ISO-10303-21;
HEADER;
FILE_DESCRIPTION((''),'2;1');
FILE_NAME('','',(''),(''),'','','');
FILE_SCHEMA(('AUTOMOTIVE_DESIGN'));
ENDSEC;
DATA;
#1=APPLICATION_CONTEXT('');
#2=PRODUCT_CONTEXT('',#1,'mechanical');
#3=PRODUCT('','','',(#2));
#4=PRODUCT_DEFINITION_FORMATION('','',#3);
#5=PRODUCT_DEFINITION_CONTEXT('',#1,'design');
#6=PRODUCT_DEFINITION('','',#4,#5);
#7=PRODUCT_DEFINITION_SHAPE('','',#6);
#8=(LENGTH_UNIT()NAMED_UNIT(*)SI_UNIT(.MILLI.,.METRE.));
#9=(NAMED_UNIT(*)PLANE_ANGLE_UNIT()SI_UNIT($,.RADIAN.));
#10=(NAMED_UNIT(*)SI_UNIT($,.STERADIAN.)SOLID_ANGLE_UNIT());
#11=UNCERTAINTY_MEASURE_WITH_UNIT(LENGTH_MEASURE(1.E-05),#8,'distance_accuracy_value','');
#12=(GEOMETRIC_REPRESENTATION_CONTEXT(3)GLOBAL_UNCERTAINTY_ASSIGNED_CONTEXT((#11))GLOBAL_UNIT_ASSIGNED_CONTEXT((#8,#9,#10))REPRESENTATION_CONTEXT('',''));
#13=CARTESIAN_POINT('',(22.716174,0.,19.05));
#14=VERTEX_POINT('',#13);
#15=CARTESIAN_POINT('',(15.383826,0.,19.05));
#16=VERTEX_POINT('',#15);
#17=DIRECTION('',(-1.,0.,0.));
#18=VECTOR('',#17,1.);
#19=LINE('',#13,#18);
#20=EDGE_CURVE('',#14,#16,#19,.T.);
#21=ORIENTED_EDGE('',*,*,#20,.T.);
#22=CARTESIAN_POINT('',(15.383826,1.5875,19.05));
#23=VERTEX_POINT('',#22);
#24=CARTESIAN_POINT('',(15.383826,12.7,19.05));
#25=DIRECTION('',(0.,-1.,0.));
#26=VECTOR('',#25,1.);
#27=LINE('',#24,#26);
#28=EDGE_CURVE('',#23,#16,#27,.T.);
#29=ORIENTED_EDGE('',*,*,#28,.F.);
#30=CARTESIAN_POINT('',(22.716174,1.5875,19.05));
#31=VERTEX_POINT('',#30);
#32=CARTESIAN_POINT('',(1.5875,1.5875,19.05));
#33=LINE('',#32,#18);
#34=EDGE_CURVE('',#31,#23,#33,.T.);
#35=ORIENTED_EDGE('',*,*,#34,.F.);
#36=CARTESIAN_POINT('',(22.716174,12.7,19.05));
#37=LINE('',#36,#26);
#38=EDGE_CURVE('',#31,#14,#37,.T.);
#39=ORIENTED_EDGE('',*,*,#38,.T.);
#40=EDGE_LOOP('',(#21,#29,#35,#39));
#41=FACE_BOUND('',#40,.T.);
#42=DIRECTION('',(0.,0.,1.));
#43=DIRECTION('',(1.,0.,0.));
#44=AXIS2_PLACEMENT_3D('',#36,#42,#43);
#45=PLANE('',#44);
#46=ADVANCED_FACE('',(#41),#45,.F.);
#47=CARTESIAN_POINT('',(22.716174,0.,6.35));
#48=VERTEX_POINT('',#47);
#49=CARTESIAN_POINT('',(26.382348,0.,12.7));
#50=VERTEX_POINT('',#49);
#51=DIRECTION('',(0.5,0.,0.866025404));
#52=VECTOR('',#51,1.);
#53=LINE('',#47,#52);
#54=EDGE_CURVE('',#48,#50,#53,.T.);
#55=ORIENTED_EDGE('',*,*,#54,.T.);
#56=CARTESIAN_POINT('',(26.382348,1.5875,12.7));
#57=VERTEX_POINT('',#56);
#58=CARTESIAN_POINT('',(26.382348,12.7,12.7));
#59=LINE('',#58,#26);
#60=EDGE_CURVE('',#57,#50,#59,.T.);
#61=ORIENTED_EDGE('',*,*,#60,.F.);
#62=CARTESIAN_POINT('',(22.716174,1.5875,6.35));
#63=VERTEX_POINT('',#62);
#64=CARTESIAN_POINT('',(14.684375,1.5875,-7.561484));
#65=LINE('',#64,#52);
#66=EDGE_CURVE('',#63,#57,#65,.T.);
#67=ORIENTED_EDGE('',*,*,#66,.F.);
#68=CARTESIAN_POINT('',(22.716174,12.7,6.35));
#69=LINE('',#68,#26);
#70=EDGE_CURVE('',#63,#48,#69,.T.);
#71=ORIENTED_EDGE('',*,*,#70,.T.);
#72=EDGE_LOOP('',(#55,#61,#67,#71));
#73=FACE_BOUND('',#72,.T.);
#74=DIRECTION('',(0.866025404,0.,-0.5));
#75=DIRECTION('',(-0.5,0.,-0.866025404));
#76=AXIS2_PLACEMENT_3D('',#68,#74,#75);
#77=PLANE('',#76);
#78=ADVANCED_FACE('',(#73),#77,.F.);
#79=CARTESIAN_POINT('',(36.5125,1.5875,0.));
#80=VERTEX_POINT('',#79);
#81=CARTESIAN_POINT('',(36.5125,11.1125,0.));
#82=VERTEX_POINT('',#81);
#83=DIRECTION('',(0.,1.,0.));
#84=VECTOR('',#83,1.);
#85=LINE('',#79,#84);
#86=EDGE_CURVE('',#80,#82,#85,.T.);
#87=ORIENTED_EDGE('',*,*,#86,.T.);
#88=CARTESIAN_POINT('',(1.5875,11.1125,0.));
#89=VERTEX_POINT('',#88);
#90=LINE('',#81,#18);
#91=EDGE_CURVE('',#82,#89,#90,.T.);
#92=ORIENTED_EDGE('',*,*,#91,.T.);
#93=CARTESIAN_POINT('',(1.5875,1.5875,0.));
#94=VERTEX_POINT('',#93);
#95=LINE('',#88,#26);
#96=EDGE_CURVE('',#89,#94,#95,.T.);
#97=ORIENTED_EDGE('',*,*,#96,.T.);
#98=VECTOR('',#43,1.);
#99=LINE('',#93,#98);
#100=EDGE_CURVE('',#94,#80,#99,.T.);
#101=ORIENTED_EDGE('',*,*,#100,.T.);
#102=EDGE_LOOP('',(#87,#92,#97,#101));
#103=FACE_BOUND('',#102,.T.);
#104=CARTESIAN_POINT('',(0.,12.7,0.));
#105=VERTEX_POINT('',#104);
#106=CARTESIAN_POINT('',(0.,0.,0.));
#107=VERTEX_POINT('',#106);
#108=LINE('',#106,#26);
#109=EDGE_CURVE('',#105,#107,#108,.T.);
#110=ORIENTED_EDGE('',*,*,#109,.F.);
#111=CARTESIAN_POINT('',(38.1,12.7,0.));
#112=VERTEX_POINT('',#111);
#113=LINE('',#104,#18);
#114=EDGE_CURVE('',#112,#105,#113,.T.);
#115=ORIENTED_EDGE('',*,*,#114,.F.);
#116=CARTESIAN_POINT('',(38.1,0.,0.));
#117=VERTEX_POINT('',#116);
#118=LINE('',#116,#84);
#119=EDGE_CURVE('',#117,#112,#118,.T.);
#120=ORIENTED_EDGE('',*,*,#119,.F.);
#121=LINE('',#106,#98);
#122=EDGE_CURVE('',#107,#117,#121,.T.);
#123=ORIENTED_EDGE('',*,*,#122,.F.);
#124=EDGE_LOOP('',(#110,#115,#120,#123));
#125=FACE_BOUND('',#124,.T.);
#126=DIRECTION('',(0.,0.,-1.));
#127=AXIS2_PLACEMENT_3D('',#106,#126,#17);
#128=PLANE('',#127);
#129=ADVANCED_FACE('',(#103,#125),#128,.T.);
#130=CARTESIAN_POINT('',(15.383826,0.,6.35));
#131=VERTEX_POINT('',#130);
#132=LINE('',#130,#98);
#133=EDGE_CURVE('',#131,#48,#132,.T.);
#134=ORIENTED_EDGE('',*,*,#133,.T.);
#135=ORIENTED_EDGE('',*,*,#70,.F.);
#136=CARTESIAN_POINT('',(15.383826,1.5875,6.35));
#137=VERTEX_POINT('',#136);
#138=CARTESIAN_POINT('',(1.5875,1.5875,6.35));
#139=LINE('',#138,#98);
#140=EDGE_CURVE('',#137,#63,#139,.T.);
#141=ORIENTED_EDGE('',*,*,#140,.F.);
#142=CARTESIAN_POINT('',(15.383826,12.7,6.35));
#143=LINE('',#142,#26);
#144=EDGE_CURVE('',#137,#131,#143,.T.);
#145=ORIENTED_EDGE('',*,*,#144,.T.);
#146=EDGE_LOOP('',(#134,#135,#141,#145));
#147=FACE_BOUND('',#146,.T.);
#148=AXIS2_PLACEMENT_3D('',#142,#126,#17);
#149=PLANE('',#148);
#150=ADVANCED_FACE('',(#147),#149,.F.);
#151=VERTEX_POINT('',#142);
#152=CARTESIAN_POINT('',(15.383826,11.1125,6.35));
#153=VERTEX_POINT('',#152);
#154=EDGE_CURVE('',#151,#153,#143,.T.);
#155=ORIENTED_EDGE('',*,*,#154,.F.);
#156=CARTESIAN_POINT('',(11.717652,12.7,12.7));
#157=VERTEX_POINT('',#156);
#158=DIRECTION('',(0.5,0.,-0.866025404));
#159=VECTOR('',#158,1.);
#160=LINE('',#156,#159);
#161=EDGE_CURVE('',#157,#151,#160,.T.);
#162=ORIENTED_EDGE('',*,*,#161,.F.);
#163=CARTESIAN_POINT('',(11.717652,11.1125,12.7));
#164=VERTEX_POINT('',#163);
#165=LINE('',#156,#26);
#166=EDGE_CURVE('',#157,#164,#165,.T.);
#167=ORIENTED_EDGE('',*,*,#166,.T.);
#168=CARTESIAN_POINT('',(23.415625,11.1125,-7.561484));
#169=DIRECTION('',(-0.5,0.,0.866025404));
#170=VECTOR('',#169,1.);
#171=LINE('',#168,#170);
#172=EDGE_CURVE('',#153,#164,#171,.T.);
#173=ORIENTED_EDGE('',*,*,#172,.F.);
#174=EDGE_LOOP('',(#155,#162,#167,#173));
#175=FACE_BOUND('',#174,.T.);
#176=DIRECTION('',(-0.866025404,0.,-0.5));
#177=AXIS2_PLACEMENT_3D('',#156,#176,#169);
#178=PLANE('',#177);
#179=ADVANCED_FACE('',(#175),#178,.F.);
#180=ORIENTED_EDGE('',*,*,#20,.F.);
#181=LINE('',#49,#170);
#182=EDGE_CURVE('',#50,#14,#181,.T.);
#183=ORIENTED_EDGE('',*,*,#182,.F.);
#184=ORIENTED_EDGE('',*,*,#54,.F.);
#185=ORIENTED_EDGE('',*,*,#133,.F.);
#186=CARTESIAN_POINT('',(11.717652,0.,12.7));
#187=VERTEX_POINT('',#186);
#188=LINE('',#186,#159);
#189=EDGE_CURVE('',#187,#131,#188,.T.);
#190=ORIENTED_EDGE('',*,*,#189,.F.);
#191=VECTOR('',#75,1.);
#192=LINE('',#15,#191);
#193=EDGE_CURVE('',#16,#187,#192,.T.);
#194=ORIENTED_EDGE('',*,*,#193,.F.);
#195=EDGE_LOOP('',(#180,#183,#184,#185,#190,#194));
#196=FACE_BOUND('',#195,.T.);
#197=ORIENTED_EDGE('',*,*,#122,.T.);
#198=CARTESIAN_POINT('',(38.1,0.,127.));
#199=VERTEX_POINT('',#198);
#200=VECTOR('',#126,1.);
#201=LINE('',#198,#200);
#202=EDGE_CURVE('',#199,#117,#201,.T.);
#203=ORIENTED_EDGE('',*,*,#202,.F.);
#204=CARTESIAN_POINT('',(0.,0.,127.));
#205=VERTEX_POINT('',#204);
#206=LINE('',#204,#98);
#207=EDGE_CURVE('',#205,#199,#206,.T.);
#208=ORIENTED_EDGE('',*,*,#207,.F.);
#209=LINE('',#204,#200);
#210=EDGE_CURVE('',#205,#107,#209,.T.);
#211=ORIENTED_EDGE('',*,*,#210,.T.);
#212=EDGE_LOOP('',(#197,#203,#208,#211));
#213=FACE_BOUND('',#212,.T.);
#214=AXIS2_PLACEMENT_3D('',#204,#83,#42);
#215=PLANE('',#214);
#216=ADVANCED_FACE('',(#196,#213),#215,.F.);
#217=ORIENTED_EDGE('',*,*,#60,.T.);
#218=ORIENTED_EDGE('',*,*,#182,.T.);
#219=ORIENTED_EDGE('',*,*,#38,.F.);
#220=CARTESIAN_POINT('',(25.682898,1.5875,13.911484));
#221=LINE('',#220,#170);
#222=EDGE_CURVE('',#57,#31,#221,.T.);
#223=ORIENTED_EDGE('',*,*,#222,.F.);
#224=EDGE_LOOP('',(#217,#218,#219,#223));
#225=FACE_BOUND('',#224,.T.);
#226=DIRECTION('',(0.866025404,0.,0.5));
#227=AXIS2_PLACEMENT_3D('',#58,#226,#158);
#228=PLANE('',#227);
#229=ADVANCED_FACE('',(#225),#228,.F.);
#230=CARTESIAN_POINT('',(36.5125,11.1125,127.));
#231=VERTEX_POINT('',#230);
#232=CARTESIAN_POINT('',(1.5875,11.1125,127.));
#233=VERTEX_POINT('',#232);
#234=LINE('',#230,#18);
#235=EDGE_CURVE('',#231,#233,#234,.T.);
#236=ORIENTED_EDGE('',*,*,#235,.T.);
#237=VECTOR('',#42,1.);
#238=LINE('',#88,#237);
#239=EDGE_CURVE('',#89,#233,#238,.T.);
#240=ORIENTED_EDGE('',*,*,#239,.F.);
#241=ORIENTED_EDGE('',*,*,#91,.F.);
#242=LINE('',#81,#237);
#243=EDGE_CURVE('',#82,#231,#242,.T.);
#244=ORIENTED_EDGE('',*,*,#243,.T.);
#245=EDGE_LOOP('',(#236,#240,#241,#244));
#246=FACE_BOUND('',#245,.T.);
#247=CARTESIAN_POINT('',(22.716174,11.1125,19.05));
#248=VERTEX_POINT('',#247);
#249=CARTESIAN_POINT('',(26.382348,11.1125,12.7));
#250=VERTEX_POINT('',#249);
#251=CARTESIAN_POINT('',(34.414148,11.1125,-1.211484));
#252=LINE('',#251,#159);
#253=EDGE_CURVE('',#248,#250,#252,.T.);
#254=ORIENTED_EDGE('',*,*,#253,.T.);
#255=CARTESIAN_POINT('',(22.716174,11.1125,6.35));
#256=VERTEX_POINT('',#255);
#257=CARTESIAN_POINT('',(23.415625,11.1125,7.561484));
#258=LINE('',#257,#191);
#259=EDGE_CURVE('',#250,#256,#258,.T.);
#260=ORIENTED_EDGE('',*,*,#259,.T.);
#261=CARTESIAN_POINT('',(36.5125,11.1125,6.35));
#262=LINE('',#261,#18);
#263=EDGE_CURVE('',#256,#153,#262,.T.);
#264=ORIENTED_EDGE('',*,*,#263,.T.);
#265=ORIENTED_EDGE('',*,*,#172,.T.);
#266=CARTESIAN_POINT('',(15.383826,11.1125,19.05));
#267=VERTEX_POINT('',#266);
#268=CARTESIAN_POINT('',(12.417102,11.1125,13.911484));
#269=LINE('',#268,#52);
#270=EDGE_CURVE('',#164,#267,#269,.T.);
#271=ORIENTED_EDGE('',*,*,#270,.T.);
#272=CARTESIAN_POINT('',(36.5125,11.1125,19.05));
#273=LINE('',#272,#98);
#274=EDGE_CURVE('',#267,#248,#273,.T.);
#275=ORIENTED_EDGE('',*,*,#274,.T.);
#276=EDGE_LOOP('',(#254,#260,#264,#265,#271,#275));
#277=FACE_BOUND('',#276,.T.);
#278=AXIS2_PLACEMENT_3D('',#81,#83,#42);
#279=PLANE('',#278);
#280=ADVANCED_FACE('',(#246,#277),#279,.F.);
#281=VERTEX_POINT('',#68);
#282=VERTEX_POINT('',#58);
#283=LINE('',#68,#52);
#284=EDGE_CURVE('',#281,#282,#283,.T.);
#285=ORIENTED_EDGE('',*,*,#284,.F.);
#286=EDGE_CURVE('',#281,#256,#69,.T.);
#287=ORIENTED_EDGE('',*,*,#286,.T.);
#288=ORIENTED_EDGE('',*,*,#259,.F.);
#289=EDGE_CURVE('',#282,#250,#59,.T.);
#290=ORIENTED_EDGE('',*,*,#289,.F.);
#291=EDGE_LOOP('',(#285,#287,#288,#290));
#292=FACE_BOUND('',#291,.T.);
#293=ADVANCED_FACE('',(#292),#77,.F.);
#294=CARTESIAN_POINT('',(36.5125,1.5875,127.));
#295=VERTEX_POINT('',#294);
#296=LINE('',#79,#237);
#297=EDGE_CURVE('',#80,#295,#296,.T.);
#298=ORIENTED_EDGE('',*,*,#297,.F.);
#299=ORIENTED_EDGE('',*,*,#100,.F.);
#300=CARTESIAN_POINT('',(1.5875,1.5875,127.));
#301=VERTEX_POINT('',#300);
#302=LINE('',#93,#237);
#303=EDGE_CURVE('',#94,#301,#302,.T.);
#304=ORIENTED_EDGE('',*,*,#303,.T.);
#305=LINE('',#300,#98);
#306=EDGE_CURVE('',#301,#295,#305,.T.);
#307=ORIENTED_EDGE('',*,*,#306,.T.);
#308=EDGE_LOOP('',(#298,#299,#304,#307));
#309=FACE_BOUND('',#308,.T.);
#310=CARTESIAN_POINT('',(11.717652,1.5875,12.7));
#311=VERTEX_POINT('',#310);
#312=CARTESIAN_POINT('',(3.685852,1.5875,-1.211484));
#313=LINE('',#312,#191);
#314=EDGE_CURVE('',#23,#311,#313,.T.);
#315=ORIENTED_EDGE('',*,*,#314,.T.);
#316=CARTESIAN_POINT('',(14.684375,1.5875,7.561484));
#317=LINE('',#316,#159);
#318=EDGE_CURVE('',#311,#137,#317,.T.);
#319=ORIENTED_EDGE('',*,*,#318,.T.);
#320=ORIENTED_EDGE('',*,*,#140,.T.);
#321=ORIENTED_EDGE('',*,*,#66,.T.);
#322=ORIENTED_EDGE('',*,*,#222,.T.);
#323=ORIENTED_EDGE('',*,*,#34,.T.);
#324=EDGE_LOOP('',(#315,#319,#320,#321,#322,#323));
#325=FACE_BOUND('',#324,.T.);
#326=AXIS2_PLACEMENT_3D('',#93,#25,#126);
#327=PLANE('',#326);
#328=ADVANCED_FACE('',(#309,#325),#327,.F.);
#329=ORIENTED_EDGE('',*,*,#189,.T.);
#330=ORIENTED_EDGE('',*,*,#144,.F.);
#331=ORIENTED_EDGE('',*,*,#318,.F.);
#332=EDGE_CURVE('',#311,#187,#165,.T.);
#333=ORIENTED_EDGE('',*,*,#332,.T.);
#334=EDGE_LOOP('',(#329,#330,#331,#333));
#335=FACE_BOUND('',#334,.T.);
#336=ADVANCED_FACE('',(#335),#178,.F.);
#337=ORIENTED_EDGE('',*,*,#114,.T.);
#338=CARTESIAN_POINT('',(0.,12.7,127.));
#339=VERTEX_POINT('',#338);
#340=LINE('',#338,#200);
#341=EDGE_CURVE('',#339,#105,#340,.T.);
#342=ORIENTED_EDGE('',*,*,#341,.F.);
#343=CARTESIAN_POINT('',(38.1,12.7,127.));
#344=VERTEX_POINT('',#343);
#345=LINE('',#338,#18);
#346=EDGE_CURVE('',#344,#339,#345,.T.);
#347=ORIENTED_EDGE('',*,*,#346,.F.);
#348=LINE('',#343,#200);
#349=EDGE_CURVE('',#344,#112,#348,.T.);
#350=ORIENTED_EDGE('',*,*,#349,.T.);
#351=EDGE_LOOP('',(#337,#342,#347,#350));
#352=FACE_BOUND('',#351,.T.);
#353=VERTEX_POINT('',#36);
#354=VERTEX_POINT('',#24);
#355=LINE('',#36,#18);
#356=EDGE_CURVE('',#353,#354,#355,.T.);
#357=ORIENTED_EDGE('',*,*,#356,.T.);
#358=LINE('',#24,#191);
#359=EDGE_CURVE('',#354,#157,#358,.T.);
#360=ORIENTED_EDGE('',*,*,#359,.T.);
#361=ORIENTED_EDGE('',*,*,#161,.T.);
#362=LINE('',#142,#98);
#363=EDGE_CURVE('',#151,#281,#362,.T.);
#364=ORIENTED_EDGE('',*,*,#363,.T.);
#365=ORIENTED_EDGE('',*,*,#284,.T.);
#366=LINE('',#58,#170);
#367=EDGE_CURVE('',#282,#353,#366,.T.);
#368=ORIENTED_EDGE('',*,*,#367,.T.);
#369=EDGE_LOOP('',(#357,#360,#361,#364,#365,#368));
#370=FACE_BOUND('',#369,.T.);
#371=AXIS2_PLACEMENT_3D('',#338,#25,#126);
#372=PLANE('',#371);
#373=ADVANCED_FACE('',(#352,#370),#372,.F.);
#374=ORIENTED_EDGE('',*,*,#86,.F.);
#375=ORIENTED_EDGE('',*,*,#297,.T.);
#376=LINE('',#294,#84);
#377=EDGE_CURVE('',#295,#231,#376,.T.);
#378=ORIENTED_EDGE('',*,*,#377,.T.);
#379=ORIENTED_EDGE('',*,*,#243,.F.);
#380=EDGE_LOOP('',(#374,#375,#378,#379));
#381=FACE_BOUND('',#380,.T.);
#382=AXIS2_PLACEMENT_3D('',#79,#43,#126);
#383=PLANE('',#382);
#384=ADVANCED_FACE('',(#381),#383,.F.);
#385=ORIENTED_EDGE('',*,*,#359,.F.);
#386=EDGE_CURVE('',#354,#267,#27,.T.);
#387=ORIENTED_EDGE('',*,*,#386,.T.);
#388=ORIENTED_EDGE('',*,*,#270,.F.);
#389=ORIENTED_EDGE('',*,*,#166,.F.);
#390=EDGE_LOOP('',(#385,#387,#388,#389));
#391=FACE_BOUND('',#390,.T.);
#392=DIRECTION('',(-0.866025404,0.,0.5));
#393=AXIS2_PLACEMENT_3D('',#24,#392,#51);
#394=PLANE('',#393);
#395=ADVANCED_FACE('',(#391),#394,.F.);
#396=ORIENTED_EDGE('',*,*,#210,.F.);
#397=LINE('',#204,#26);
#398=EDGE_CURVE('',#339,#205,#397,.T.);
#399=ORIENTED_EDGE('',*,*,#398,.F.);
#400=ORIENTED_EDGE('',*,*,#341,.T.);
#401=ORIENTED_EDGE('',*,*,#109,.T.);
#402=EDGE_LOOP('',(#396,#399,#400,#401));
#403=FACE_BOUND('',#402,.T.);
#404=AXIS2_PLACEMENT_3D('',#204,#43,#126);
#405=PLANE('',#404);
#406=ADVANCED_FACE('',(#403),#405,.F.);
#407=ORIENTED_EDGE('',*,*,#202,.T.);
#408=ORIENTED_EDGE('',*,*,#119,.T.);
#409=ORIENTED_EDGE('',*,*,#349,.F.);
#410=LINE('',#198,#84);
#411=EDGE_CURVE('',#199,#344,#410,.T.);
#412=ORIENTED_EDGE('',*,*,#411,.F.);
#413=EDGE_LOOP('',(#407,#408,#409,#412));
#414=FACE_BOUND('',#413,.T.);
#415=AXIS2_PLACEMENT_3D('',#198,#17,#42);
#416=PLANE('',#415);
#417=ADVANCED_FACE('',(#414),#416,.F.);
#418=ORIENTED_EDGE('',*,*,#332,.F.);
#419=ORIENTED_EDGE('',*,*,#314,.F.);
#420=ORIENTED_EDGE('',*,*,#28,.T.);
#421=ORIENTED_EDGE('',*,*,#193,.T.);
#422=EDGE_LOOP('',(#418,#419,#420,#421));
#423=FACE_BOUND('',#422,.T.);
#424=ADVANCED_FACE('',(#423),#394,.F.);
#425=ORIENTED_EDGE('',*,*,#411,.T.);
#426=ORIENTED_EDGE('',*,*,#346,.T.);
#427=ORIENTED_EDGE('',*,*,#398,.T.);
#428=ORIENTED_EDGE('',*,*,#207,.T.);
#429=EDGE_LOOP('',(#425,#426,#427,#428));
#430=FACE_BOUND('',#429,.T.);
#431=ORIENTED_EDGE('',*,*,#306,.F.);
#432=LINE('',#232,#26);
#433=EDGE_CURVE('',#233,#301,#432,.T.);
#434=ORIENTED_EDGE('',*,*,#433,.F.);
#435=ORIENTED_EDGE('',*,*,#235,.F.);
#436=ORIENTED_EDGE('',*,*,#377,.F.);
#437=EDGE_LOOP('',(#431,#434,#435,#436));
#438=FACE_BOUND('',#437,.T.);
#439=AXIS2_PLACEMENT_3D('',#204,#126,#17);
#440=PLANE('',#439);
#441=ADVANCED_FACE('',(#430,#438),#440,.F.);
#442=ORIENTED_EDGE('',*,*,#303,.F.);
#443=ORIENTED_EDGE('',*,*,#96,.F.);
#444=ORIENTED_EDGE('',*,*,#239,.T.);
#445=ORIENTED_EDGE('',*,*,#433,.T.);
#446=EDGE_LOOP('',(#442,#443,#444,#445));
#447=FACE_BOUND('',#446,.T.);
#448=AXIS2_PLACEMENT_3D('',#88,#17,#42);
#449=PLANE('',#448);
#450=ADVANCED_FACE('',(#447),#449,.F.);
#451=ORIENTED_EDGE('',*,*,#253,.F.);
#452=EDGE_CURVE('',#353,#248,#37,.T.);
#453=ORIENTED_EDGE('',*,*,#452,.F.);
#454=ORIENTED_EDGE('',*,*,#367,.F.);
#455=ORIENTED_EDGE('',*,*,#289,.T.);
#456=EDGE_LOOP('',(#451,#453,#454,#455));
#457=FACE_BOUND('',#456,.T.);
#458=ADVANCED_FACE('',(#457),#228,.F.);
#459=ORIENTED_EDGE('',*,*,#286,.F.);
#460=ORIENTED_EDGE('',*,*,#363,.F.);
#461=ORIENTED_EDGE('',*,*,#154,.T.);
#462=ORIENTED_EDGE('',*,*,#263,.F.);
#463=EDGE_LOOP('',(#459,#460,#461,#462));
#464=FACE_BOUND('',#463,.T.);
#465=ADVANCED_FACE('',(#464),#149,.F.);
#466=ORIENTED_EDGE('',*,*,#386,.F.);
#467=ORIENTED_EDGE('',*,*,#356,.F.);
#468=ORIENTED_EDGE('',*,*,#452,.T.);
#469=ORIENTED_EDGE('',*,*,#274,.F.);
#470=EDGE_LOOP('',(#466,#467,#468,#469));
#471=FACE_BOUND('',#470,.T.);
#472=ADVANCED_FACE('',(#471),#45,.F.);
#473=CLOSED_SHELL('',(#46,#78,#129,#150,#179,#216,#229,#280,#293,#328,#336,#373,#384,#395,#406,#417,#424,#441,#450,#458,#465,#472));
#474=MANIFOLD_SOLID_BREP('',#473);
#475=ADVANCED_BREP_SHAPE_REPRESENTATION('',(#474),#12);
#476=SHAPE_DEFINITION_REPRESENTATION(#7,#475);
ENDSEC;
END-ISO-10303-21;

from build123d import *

# Parameters (mm, degrees)
SKETCH1_W           = 38.1
SKETCH1_H           = 12.7
BOSS_EXTRUDE1_DEPTH = 127
SKETCH2_W           = 34.925
SKETCH2_H           = 9.525
CUT_EXTRUDE1_DEPTH  = 134.198723718
CUT_EXTRUDE2_DEPTH  = 134.198723718


with BuildPart() as part:
    # Sketch1 → Boss-Extrude1 (new body)
    with BuildSketch(Plane.XY):
        with Locations((19.05, 6.35)):
            Rectangle(SKETCH1_W, SKETCH1_H)
    extrude(amount=BOSS_EXTRUDE1_DEPTH)

    # Sketch2 → Cut-Extrude1 (cut, through all)
    with BuildSketch(Plane.XY.offset(127)):
        with Locations((19.05, 6.35)):
            Rectangle(SKETCH2_W, SKETCH2_H)
    extrude(amount=-CUT_EXTRUDE1_DEPTH, mode=Mode.SUBTRACT)

    # Sketch3 → Cut-Extrude2 (cut, through all)
    with BuildSketch(Plane.XZ):
        Polygon((26.382348419, 12.7), (22.716174209, 19.05), (15.383825791, 19.05), (11.717651581, 12.7), (15.383825791, 6.35), (22.716174209, 6.35), align=None)
    extrude(amount=-CUT_EXTRUDE2_DEPTH, mode=Mode.SUBTRACT)


solid = part.part
